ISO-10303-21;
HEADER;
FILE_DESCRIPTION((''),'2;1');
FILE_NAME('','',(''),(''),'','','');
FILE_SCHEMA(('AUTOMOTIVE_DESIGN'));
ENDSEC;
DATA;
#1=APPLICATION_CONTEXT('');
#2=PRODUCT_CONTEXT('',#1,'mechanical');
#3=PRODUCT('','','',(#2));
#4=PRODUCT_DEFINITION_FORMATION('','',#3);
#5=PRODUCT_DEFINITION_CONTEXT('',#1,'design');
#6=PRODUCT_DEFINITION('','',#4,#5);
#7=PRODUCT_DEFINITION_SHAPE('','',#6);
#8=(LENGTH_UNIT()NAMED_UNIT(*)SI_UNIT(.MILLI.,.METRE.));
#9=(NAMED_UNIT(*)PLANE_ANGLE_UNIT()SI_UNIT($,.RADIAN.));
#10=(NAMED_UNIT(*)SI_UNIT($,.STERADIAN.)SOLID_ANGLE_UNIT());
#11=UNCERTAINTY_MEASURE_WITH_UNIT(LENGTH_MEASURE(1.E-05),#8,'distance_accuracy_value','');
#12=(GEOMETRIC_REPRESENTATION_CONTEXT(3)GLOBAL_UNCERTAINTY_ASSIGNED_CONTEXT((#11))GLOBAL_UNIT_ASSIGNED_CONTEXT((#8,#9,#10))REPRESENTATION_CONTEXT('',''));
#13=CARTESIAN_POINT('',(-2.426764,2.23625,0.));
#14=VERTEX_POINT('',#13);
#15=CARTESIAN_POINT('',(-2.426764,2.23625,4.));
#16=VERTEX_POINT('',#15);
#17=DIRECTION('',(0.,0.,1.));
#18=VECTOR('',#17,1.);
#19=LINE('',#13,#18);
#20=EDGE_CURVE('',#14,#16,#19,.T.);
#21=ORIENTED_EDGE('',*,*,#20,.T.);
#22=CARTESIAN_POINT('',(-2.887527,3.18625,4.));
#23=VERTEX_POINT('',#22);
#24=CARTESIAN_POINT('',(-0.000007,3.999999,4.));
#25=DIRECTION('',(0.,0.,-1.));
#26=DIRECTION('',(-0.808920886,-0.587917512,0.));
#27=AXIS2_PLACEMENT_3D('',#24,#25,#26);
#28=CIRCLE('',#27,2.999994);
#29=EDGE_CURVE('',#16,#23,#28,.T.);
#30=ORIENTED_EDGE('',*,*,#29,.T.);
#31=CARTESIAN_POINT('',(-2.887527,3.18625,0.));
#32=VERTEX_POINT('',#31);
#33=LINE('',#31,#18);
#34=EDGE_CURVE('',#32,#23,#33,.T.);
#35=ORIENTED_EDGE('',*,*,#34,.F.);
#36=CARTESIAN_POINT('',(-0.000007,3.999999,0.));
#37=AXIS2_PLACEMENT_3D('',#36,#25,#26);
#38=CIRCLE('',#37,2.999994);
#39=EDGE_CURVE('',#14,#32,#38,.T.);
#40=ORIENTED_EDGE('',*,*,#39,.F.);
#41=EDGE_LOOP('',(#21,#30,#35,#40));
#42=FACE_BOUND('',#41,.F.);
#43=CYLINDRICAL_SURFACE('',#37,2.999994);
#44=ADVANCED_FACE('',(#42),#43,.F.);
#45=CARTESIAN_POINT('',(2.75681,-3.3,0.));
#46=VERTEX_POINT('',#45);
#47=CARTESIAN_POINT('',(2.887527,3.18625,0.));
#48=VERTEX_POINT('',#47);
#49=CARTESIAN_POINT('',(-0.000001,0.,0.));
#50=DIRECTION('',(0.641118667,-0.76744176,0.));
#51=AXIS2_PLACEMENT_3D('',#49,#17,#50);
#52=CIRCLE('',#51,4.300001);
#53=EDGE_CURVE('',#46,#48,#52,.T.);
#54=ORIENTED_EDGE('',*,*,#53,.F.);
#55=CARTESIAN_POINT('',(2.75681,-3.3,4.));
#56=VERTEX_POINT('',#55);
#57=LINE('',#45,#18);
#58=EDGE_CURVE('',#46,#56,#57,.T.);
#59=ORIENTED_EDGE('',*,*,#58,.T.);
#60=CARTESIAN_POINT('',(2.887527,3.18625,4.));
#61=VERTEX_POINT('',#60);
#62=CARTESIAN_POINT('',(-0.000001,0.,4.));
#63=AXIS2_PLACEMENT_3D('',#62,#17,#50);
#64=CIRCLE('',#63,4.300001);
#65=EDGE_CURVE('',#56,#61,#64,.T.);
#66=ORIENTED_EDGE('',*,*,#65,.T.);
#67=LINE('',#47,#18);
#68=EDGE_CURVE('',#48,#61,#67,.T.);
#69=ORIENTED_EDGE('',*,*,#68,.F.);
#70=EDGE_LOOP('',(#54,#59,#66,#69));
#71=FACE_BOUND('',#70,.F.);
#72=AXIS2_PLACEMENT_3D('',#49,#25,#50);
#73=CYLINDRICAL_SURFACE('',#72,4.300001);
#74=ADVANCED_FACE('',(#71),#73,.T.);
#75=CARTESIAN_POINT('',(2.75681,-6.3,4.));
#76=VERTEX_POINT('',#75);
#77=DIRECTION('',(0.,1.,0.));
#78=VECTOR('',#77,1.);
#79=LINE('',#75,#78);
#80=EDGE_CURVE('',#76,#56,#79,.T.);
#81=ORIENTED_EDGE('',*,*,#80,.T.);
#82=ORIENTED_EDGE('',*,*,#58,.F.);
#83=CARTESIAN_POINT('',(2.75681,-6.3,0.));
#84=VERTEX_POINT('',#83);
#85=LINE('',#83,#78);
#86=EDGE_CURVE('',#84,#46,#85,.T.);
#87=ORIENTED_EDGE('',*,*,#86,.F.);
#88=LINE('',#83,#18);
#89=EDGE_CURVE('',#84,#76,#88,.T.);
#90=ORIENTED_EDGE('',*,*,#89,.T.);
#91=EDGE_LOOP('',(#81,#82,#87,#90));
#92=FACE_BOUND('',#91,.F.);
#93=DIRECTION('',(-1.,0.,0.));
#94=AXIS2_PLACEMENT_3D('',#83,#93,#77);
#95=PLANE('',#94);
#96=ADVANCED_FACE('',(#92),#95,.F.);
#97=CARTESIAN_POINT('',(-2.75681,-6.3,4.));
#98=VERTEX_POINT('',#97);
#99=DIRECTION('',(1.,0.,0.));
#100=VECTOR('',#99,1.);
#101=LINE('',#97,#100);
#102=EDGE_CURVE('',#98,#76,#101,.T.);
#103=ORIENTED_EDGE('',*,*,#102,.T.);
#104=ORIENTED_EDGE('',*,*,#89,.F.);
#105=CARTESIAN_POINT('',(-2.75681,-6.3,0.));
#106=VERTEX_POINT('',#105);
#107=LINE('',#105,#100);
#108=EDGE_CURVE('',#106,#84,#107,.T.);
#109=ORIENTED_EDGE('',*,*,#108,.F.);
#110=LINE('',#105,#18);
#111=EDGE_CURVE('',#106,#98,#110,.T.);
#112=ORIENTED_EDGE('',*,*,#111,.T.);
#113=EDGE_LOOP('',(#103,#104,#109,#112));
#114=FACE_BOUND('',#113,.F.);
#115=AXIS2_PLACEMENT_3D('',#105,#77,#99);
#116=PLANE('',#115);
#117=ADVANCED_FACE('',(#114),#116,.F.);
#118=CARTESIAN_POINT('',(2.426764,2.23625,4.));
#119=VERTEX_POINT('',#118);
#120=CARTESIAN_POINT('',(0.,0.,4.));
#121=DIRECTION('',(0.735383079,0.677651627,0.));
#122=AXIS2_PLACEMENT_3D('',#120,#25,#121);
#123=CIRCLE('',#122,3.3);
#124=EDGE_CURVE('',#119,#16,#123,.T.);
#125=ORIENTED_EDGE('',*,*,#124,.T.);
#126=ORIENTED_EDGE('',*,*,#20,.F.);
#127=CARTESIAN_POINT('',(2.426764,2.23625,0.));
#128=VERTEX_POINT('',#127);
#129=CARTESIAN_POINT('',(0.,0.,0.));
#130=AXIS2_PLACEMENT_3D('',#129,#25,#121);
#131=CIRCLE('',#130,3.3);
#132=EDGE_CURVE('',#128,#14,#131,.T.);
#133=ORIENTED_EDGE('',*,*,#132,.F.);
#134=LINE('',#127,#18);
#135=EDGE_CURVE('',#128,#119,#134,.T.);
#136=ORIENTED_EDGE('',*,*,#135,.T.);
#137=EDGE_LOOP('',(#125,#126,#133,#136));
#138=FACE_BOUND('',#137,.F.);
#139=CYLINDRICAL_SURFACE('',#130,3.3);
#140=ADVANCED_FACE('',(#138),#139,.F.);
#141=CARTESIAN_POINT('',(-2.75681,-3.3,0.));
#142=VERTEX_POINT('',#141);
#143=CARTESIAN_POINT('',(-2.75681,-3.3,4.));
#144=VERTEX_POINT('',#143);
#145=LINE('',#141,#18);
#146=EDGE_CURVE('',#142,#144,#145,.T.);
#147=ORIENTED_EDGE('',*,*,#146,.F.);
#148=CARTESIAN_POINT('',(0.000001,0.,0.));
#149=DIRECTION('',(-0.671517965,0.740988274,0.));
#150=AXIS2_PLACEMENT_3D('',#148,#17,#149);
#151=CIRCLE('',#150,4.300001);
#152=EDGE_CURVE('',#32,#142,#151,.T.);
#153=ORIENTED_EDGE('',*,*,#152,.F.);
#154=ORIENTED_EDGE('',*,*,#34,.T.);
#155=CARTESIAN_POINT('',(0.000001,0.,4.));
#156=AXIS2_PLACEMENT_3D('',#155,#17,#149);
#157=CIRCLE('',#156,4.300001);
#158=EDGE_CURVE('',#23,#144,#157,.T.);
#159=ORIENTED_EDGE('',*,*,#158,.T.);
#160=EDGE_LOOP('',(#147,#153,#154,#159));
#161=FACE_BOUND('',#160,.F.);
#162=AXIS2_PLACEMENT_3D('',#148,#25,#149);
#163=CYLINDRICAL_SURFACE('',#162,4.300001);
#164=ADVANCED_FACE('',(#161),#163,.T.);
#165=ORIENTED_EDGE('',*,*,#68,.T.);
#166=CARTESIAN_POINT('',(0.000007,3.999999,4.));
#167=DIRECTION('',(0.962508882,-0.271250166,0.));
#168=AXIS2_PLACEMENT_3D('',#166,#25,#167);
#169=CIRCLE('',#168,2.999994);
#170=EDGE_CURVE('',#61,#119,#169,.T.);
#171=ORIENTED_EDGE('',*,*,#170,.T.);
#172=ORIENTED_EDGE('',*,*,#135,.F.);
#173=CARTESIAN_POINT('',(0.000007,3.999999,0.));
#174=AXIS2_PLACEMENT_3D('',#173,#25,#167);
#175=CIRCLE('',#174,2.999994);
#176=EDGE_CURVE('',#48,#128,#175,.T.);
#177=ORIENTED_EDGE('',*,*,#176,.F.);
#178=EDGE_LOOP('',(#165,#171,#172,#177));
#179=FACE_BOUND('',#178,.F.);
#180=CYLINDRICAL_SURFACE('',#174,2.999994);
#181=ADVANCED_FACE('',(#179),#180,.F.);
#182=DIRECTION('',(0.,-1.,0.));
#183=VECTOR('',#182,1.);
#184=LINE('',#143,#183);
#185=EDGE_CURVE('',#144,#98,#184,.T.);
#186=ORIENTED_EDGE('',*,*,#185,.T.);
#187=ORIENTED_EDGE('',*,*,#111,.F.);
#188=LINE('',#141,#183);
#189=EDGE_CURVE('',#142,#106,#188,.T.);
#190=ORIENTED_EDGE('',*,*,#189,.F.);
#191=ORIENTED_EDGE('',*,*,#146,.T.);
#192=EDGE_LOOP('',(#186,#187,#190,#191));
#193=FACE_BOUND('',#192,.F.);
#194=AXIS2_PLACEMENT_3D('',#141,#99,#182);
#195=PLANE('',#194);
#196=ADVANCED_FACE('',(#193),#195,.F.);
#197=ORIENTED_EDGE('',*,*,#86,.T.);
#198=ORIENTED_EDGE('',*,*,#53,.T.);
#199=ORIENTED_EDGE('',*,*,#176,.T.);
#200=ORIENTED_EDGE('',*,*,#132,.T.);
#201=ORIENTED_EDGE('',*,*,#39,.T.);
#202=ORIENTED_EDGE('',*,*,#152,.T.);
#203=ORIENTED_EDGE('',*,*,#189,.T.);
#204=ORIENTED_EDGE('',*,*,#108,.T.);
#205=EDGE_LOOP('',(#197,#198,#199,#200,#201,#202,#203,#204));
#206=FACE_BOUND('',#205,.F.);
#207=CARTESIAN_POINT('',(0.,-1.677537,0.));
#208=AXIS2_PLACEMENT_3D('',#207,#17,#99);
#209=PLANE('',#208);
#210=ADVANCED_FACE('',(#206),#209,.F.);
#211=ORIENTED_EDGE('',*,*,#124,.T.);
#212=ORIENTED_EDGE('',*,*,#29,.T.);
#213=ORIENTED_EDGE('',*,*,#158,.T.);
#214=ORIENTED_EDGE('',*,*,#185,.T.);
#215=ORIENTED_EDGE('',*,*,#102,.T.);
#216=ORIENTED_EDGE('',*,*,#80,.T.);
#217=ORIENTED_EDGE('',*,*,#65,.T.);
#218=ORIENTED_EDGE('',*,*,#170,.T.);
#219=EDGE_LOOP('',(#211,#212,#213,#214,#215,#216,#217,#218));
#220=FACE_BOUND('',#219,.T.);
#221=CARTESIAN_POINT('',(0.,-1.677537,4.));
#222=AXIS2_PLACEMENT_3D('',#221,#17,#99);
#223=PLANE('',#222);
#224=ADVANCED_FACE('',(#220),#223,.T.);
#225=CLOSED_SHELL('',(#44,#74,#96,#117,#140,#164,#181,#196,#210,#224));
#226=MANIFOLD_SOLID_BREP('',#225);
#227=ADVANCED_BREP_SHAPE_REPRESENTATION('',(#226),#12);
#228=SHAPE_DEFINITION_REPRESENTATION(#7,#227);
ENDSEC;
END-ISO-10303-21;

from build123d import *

# Parameters (mm, degrees)
F1_DEPTH = 4


with BuildPart() as f1:
    # F0 (on Top) → F1 (new body)
    with BuildSketch(Plane.XY):
        with BuildLine():
            ThreePointArc((2.426764, 2.23625), (0, -3.3), (-2.426764, 2.23625))
            ThreePointArc((-2.426764, 2.23625), (-2.699268, 2.69082), (-2.887527, 3.18625))
            ThreePointArc((-2.887527, 3.18625), (-4.299127, -0.08664), (-2.75681, -3.3))
            Line((-2.75681, -3.3), (-2.75681, -6.3))
            Line((-2.75681, -6.3), (2.75681, -6.3))
            Line((2.75681, -6.3), (2.75681, -3.3))
            ThreePointArc((2.75681, -3.3), (4.299127, -0.08664), (2.887527, 3.18625))
            ThreePointArc((2.887527, 3.18625), (2.699268, 2.69082), (2.426764, 2.23625))
        make_face()
    extrude(amount=F1_DEPTH)


solid = f1.part
